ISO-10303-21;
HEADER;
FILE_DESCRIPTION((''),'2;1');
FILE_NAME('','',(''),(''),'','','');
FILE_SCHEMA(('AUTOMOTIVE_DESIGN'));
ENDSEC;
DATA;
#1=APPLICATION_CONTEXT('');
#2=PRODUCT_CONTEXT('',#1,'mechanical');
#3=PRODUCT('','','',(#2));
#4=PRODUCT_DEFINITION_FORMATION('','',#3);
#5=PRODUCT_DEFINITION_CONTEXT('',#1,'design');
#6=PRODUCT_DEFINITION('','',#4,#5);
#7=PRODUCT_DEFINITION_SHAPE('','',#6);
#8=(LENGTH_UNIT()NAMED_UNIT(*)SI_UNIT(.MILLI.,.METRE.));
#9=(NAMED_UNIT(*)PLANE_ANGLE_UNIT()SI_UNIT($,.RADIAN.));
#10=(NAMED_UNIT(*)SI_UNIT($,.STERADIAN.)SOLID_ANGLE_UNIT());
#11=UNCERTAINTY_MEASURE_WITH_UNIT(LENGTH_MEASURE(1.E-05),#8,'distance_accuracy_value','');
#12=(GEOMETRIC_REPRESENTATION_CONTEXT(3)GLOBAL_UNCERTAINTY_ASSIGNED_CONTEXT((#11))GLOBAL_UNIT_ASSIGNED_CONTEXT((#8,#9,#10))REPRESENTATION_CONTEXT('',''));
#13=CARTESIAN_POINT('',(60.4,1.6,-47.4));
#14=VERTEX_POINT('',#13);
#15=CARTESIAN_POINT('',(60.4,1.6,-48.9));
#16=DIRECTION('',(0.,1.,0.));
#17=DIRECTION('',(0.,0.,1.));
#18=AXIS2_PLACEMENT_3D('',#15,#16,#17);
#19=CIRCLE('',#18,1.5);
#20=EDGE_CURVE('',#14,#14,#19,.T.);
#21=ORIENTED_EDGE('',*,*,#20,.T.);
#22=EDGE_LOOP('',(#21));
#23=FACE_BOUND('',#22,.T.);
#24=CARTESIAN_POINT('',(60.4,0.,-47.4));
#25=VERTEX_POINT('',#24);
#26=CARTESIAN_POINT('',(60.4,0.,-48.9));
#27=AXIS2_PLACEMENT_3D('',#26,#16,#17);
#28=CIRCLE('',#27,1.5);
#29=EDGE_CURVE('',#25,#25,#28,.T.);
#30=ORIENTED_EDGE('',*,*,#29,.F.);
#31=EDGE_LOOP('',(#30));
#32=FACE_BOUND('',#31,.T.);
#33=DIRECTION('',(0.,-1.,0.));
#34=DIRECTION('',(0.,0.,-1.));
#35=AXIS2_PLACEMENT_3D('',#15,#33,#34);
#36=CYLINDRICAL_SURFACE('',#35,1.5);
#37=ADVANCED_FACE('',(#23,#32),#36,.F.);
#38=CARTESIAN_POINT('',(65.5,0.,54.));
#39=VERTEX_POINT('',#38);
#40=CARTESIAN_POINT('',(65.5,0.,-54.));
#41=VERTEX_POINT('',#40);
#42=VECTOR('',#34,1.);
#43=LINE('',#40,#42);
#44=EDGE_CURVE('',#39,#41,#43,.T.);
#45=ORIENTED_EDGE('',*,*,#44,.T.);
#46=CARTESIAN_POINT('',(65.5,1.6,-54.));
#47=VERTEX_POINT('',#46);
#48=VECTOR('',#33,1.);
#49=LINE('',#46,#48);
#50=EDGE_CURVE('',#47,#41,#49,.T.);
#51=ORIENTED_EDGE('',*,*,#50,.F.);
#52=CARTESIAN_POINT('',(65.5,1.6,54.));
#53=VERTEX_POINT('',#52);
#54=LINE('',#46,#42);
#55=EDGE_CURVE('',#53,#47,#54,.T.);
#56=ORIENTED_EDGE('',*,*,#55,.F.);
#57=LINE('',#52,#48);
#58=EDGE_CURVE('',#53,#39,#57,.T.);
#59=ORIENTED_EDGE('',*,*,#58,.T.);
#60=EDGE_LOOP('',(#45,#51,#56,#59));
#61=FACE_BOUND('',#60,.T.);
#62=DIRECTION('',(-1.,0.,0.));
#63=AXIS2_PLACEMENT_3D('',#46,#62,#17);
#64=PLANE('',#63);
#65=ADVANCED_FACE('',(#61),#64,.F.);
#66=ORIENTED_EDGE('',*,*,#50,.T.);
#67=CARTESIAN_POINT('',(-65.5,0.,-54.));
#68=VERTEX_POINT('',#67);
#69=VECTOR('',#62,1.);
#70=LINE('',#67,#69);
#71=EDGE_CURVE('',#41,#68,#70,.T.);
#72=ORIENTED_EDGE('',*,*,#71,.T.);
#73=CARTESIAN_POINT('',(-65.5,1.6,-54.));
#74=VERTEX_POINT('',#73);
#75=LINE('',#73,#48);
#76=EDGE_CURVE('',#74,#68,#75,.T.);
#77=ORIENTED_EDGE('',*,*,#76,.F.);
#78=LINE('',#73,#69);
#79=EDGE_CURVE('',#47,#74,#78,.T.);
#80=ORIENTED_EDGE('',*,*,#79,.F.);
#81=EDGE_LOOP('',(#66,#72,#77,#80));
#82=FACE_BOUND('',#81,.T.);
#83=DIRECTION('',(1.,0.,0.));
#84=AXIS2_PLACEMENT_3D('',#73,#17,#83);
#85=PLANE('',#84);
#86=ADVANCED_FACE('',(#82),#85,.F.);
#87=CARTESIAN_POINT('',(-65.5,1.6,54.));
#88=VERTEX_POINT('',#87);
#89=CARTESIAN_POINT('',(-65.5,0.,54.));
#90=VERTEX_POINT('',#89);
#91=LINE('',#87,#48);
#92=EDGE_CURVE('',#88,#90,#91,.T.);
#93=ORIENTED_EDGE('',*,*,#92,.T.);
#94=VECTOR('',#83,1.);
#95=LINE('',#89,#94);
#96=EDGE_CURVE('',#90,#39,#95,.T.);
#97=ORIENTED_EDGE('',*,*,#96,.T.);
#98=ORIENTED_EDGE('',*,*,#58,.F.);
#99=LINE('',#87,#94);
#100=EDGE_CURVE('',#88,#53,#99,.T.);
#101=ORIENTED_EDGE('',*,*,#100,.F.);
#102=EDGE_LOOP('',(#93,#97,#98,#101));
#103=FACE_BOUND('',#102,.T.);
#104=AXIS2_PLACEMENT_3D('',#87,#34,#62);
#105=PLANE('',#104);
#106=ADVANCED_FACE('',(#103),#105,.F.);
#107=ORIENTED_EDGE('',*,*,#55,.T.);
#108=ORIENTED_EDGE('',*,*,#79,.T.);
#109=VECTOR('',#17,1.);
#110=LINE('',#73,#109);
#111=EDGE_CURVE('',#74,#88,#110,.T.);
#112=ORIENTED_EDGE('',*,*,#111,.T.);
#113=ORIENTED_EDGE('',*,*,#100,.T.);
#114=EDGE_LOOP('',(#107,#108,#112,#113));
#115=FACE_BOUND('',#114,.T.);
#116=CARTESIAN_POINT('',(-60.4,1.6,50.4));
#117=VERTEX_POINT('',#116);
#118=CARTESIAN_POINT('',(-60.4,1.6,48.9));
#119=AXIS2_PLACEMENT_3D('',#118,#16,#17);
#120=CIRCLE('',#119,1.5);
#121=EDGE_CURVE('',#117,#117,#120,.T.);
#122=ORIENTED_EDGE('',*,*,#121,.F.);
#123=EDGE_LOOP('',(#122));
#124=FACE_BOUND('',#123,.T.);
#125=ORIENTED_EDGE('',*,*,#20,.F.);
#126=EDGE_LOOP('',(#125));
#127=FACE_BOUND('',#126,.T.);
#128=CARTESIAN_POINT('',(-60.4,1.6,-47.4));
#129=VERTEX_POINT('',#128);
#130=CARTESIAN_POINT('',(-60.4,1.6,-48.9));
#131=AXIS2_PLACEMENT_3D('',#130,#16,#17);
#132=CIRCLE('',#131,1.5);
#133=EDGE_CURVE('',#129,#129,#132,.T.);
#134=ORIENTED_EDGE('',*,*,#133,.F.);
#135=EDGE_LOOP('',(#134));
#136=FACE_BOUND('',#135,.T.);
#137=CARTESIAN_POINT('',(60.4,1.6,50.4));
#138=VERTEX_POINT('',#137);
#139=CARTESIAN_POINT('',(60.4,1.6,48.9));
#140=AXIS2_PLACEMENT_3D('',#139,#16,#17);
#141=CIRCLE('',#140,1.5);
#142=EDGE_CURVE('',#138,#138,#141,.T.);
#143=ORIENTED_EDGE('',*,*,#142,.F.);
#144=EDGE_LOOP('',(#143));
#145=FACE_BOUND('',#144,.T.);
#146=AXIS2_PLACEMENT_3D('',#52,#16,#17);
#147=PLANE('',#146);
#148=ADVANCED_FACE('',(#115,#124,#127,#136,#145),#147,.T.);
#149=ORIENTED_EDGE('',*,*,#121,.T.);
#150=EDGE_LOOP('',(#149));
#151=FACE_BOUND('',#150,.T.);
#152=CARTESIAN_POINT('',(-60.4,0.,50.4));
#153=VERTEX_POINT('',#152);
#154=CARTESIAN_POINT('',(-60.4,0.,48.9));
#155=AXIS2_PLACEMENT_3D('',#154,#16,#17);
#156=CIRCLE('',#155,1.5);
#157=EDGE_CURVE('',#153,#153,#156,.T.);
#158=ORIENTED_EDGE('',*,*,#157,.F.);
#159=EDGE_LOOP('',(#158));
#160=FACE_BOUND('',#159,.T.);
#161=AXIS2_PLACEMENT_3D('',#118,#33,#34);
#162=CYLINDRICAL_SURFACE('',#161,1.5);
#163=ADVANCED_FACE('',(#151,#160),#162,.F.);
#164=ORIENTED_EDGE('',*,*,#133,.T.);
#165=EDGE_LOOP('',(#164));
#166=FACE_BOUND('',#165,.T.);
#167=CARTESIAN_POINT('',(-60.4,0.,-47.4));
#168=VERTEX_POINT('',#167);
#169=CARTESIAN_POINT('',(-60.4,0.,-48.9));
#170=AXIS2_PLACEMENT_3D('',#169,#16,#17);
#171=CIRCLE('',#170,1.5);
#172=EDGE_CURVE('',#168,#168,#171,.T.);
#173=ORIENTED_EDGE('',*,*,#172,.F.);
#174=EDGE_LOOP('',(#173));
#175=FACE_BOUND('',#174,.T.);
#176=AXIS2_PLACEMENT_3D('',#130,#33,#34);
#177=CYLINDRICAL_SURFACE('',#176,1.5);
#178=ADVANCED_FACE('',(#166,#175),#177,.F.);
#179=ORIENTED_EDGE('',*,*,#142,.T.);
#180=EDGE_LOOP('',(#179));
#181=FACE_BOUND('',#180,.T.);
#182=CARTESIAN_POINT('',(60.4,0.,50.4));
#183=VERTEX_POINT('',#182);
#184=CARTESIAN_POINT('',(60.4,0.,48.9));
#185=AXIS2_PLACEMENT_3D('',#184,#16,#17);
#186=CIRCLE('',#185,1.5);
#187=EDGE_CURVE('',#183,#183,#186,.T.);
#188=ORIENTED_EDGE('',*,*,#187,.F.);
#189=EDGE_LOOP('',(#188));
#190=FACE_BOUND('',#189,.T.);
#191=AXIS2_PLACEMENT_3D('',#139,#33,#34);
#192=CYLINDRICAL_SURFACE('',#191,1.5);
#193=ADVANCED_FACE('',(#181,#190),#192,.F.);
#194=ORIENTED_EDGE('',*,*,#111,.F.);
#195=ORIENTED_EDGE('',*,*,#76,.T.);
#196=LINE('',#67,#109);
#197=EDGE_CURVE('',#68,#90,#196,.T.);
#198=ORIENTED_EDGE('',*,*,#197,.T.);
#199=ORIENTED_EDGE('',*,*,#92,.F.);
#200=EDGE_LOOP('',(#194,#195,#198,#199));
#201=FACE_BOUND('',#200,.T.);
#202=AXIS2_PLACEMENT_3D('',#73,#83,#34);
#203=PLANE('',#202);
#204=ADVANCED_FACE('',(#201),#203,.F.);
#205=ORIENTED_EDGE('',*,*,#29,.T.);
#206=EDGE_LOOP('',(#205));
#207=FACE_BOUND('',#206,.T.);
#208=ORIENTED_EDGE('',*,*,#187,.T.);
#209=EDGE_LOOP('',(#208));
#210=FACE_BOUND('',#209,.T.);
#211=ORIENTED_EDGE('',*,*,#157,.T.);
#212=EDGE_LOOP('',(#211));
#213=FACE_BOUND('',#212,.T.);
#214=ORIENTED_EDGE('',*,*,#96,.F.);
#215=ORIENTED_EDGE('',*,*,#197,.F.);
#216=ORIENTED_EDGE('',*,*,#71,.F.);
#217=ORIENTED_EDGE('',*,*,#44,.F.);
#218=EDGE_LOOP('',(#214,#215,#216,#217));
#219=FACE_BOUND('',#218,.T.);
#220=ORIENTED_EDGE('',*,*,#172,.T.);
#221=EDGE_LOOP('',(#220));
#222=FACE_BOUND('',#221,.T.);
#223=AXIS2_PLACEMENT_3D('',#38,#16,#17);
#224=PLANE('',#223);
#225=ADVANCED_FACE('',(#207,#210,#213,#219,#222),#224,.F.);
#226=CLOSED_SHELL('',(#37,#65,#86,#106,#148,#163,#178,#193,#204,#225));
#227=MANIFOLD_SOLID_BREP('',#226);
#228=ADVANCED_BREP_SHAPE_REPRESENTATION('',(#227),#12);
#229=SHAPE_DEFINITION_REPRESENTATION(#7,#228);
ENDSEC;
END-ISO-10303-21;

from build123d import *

# Parameters (mm, degrees)
ESBO_O1_W                = 131
ESBO_O1_H                = 108
ESBO_O1_R                = 1.5
RESSALTO_EXTRUS_O1_DEPTH = 1.6


with BuildPart() as part:
    # Esboço1 → Ressalto-extrusão1 (new body)
    with BuildSketch(Plane(origin=(0, 0, 0), x_dir=(1, 0, 0), z_dir=(0, 1, 0))):
        Rectangle(ESBO_O1_W, ESBO_O1_H)
        with Locations((-60.4, 48.9)):
            Circle(ESBO_O1_R, mode=Mode.SUBTRACT)
        with Locations((-60.4, -48.9)):
            Circle(ESBO_O1_R, mode=Mode.SUBTRACT)
        with Locations((60.4, -48.9)):
            Circle(ESBO_O1_R, mode=Mode.SUBTRACT)
        with Locations((60.4, 48.9)):
            Circle(ESBO_O1_R, mode=Mode.SUBTRACT)
    extrude(amount=RESSALTO_EXTRUS_O1_DEPTH)


solid = part.part
